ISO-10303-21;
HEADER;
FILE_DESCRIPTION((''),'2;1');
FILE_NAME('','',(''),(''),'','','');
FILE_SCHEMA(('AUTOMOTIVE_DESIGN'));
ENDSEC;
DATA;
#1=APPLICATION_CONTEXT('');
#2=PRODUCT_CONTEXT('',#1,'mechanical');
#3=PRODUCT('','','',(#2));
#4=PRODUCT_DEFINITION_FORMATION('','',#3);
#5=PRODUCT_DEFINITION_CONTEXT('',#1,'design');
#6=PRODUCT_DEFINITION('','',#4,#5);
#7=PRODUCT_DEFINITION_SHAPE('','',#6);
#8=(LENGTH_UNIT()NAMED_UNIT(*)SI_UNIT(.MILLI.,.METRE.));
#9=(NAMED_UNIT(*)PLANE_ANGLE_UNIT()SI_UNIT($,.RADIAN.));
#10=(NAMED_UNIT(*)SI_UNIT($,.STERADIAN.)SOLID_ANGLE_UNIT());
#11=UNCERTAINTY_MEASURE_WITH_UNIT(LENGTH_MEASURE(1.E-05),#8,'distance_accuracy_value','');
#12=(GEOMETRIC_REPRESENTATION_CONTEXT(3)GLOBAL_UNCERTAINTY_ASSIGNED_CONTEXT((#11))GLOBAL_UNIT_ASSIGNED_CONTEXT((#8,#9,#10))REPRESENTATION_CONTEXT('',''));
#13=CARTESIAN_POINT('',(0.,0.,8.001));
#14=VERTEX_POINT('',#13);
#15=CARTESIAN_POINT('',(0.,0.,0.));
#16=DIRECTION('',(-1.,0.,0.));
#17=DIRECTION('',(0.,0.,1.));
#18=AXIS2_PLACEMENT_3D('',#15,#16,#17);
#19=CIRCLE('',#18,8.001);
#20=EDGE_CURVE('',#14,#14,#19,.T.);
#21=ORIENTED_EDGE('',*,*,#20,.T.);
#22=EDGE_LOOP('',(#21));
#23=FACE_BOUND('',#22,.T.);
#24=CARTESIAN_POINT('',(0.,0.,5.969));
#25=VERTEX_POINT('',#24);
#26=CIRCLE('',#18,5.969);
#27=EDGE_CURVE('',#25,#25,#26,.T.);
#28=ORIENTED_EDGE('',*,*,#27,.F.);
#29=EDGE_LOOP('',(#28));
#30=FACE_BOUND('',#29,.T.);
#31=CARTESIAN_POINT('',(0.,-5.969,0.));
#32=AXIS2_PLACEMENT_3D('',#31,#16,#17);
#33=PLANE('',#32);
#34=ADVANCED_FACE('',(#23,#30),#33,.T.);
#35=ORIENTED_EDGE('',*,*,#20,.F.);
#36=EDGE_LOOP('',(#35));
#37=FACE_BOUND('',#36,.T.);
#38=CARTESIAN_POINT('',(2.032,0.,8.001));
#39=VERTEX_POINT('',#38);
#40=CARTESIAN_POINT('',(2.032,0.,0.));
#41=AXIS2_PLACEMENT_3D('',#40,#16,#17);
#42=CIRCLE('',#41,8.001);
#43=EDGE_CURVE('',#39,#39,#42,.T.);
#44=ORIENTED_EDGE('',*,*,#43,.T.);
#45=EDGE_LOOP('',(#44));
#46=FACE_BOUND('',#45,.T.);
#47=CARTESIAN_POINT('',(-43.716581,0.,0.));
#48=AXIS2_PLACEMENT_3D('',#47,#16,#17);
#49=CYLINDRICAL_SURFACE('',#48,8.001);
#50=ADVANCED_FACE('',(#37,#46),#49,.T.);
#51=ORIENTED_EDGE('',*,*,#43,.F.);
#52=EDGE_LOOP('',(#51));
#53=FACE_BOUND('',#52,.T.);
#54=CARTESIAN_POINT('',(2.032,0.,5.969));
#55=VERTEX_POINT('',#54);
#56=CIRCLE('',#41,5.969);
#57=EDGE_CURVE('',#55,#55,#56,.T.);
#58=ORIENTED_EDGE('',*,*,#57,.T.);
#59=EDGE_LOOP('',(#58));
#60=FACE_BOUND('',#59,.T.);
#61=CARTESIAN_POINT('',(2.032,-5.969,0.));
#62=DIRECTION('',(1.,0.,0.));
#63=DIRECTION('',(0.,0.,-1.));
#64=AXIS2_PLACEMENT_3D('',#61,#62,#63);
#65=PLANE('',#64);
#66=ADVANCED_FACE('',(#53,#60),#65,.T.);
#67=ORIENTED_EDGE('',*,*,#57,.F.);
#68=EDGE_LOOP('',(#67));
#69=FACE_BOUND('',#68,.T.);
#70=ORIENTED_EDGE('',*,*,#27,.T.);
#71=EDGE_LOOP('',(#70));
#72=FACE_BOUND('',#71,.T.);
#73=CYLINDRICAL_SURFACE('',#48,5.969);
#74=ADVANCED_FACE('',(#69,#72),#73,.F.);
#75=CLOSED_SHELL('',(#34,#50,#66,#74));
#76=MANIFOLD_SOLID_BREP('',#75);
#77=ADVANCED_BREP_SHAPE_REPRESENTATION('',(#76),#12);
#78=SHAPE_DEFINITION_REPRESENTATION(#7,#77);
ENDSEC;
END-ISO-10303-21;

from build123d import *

# Parameters (mm, degrees)
SKETCH1_W = 2.032
SKETCH1_H = 2.032


with BuildPart() as part:
    # Sketch1 → Revolve1 (revolve)
    with BuildSketch(Plane.XY, mode=Mode.PRIVATE) as revolve1_sk:
        with Locations((1.016, -6.985)):
            Rectangle(SKETCH1_W, SKETCH1_H)
    revolve(revolve1_sk.sketch.rotate(Axis((-43.716580756, 0, 0), (1, 0, 0)), 270), axis=Axis((-43.716580756, 0, 0), (1, 0, 0)))  # turned: the seam where the file's is


solid = part.part
